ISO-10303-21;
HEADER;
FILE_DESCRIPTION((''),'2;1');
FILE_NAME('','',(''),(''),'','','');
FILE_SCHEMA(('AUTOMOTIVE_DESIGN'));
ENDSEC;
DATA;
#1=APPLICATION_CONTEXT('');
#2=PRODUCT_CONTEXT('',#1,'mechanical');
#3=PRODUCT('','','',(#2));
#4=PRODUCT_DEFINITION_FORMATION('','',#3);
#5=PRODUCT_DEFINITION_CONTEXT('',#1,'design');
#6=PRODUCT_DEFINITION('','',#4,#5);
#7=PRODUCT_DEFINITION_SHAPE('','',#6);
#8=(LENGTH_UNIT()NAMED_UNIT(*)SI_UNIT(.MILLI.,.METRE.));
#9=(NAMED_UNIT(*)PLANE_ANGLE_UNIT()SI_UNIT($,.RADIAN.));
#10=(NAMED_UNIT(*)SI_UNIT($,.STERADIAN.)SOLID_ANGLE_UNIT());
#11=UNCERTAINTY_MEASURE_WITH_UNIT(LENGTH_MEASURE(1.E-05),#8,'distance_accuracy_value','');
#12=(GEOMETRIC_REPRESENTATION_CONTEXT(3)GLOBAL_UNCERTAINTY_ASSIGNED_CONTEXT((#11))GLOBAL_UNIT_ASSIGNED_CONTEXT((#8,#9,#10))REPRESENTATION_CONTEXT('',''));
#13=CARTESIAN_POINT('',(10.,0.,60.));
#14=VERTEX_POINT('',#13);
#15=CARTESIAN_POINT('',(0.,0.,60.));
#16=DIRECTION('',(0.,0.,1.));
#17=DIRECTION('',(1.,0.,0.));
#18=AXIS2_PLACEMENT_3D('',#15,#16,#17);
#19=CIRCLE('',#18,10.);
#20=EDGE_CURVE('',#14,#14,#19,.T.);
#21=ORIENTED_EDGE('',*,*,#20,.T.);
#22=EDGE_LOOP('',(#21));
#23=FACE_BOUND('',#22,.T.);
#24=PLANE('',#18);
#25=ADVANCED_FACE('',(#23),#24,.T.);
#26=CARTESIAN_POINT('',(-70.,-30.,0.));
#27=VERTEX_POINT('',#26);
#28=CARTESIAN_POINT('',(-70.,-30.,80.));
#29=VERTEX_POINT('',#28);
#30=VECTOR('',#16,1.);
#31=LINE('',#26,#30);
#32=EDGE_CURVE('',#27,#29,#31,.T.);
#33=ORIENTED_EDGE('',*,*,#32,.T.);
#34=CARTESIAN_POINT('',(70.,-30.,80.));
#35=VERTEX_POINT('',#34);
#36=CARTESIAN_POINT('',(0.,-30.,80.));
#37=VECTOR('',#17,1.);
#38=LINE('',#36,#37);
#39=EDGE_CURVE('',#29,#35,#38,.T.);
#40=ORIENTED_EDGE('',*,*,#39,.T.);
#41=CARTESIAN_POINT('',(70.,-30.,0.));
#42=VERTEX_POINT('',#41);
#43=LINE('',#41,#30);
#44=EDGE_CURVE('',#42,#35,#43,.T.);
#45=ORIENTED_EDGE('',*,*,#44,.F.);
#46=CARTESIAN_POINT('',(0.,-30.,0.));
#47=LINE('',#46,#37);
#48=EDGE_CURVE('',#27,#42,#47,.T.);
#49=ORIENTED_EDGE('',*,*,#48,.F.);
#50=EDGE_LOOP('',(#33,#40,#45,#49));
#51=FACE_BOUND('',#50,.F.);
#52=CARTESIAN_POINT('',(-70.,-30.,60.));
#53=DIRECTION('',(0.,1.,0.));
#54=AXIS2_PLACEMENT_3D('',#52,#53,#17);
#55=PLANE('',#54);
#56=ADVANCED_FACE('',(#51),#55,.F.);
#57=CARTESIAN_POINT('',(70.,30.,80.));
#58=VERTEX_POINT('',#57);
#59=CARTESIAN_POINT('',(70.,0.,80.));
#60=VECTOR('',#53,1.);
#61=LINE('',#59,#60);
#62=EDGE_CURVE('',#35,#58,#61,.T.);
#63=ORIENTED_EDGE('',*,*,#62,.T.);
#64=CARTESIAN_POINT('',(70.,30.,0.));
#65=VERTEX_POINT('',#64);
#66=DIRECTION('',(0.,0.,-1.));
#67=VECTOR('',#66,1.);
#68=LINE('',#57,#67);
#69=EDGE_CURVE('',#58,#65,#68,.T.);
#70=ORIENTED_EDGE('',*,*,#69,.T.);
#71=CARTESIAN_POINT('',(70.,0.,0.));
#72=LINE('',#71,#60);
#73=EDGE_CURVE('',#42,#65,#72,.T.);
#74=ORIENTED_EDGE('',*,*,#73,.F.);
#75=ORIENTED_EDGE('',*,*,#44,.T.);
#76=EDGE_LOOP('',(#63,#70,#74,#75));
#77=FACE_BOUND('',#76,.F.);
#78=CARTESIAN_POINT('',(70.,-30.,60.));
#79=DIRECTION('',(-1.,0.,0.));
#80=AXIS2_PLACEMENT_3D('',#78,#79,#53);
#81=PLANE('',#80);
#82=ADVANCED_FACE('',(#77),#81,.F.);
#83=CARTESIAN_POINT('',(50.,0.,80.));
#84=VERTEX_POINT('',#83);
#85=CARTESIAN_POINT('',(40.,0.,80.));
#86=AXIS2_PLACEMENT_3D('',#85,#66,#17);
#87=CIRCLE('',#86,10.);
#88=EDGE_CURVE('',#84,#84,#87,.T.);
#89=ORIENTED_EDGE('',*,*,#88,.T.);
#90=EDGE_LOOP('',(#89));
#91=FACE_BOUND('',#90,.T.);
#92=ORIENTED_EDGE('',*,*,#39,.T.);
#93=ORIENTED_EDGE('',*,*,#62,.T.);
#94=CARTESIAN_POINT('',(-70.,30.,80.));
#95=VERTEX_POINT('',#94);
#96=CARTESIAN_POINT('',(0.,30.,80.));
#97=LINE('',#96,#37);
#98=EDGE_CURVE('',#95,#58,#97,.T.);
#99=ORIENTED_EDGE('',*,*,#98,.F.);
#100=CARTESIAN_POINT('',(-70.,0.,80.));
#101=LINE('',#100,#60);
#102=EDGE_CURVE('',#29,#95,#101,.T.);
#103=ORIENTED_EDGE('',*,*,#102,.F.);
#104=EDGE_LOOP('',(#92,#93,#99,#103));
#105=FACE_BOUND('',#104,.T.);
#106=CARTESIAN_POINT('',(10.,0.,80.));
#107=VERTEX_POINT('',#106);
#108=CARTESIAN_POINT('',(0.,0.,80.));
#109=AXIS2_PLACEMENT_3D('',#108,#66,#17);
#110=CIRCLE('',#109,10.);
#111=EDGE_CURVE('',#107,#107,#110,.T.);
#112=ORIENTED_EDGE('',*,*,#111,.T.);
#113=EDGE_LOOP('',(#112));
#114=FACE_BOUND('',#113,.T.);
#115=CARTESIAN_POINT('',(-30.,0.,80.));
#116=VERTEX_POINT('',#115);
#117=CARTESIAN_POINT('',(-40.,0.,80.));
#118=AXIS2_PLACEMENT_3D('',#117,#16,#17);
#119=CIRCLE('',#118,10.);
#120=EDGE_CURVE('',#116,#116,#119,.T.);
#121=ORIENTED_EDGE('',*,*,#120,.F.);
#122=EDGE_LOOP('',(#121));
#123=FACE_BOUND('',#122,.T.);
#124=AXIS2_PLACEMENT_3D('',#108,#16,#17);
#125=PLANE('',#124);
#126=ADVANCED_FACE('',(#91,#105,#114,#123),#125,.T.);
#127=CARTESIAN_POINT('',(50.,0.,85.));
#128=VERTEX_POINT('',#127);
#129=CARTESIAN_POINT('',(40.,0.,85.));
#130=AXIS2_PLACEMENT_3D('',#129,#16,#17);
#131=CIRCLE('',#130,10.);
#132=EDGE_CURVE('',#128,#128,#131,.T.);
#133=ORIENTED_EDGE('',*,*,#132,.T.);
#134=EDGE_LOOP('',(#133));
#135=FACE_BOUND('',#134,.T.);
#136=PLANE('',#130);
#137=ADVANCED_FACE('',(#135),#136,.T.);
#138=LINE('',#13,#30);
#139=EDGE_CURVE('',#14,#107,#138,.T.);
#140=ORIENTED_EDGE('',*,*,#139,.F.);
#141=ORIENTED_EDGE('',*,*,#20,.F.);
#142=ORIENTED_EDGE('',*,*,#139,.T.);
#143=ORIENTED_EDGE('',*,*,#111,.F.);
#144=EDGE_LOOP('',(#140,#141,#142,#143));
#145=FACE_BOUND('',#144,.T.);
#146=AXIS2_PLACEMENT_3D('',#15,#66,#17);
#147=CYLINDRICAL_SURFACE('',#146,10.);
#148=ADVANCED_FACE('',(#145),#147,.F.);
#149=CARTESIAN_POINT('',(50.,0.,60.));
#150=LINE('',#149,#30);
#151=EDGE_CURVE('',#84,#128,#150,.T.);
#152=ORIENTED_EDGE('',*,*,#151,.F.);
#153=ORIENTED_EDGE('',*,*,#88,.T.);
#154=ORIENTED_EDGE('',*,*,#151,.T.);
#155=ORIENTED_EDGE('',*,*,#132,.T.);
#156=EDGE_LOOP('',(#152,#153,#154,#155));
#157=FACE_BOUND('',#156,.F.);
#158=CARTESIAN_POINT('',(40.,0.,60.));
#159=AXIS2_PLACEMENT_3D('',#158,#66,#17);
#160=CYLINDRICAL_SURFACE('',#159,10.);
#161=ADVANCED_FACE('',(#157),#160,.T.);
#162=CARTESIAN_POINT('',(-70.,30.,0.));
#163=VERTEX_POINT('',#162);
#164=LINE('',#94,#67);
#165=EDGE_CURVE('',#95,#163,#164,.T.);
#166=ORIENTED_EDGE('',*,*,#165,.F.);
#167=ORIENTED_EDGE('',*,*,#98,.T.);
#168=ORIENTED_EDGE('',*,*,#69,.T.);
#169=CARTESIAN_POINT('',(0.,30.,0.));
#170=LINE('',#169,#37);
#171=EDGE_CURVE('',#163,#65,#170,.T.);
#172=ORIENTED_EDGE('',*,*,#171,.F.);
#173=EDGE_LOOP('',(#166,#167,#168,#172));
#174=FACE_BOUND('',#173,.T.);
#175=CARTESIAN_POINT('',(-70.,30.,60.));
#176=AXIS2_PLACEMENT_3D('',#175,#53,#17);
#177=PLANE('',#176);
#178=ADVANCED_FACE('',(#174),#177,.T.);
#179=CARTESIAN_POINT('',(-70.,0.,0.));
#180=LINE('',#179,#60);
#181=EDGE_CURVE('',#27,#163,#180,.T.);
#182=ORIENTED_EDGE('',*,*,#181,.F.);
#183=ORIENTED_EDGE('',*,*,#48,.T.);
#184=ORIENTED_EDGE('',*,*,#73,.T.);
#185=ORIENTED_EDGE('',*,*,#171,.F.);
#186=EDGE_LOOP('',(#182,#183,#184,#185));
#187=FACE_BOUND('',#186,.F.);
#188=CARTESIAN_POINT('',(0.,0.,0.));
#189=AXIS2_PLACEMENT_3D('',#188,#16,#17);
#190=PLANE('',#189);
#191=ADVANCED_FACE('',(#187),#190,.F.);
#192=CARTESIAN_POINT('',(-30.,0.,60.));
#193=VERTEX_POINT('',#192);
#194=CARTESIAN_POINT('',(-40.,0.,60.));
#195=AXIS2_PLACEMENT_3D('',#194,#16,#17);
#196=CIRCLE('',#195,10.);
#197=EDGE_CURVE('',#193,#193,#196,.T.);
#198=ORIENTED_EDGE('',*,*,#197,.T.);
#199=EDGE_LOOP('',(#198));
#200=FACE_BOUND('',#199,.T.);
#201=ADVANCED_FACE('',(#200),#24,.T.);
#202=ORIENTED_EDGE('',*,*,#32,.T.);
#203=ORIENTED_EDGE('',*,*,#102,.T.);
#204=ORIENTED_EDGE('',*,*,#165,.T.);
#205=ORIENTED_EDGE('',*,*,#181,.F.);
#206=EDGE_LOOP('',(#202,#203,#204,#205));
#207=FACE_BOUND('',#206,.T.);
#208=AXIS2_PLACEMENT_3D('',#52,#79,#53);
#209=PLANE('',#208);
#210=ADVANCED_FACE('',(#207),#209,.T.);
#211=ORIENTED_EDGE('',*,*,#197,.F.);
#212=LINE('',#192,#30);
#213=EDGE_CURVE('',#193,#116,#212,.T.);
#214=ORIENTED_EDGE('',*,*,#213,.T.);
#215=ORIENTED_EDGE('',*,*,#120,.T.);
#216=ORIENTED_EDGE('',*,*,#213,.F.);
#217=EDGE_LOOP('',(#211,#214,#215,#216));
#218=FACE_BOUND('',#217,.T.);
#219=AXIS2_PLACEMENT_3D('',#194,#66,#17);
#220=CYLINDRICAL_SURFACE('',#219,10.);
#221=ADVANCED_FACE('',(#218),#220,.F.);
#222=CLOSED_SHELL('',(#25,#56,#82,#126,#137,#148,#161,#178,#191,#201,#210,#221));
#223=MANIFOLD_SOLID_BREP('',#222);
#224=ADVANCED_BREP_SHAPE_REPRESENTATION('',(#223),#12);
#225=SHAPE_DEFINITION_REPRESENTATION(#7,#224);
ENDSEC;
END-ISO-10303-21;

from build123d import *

# Parameters (mm, degrees)
F0_W     = 140
F0_H     = 60
F1_DEPTH = 60
F2_W     = 140
F2_H     = 60
F2_R     = 10
F5_DEPTH = 20
F4_R     = 10
F8_DEPTH = 500
F3_R     = 10
F9_DEPTH = 25


with BuildPart() as f1:
    # F0 (on Top) → F1 (new body)
    with BuildSketch(Plane.XY):
        Rectangle(F0_W, F0_H)
    extrude(amount=F1_DEPTH)

    # F2 (on face) → F5 (join)
    with BuildSketch(Plane.XY.offset(60)):
        Rectangle(F2_W, F2_H)
        with Locations((-40, 0)):
            Circle(F2_R, mode=Mode.SUBTRACT)
    extrude(amount=F5_DEPTH)

    # F4 (on face) → F8 (cut)
    with BuildSketch(Plane.XY.offset(60)):
        Circle(F4_R)
    extrude(amount=F8_DEPTH, mode=Mode.SUBTRACT)

    # F3 (on face) → F9 (join)
    with BuildSketch(Plane.XY.offset(60)):
        with Locations((40, 0)):
            Circle(F3_R)
    extrude(amount=F9_DEPTH)


solid = f1.part
